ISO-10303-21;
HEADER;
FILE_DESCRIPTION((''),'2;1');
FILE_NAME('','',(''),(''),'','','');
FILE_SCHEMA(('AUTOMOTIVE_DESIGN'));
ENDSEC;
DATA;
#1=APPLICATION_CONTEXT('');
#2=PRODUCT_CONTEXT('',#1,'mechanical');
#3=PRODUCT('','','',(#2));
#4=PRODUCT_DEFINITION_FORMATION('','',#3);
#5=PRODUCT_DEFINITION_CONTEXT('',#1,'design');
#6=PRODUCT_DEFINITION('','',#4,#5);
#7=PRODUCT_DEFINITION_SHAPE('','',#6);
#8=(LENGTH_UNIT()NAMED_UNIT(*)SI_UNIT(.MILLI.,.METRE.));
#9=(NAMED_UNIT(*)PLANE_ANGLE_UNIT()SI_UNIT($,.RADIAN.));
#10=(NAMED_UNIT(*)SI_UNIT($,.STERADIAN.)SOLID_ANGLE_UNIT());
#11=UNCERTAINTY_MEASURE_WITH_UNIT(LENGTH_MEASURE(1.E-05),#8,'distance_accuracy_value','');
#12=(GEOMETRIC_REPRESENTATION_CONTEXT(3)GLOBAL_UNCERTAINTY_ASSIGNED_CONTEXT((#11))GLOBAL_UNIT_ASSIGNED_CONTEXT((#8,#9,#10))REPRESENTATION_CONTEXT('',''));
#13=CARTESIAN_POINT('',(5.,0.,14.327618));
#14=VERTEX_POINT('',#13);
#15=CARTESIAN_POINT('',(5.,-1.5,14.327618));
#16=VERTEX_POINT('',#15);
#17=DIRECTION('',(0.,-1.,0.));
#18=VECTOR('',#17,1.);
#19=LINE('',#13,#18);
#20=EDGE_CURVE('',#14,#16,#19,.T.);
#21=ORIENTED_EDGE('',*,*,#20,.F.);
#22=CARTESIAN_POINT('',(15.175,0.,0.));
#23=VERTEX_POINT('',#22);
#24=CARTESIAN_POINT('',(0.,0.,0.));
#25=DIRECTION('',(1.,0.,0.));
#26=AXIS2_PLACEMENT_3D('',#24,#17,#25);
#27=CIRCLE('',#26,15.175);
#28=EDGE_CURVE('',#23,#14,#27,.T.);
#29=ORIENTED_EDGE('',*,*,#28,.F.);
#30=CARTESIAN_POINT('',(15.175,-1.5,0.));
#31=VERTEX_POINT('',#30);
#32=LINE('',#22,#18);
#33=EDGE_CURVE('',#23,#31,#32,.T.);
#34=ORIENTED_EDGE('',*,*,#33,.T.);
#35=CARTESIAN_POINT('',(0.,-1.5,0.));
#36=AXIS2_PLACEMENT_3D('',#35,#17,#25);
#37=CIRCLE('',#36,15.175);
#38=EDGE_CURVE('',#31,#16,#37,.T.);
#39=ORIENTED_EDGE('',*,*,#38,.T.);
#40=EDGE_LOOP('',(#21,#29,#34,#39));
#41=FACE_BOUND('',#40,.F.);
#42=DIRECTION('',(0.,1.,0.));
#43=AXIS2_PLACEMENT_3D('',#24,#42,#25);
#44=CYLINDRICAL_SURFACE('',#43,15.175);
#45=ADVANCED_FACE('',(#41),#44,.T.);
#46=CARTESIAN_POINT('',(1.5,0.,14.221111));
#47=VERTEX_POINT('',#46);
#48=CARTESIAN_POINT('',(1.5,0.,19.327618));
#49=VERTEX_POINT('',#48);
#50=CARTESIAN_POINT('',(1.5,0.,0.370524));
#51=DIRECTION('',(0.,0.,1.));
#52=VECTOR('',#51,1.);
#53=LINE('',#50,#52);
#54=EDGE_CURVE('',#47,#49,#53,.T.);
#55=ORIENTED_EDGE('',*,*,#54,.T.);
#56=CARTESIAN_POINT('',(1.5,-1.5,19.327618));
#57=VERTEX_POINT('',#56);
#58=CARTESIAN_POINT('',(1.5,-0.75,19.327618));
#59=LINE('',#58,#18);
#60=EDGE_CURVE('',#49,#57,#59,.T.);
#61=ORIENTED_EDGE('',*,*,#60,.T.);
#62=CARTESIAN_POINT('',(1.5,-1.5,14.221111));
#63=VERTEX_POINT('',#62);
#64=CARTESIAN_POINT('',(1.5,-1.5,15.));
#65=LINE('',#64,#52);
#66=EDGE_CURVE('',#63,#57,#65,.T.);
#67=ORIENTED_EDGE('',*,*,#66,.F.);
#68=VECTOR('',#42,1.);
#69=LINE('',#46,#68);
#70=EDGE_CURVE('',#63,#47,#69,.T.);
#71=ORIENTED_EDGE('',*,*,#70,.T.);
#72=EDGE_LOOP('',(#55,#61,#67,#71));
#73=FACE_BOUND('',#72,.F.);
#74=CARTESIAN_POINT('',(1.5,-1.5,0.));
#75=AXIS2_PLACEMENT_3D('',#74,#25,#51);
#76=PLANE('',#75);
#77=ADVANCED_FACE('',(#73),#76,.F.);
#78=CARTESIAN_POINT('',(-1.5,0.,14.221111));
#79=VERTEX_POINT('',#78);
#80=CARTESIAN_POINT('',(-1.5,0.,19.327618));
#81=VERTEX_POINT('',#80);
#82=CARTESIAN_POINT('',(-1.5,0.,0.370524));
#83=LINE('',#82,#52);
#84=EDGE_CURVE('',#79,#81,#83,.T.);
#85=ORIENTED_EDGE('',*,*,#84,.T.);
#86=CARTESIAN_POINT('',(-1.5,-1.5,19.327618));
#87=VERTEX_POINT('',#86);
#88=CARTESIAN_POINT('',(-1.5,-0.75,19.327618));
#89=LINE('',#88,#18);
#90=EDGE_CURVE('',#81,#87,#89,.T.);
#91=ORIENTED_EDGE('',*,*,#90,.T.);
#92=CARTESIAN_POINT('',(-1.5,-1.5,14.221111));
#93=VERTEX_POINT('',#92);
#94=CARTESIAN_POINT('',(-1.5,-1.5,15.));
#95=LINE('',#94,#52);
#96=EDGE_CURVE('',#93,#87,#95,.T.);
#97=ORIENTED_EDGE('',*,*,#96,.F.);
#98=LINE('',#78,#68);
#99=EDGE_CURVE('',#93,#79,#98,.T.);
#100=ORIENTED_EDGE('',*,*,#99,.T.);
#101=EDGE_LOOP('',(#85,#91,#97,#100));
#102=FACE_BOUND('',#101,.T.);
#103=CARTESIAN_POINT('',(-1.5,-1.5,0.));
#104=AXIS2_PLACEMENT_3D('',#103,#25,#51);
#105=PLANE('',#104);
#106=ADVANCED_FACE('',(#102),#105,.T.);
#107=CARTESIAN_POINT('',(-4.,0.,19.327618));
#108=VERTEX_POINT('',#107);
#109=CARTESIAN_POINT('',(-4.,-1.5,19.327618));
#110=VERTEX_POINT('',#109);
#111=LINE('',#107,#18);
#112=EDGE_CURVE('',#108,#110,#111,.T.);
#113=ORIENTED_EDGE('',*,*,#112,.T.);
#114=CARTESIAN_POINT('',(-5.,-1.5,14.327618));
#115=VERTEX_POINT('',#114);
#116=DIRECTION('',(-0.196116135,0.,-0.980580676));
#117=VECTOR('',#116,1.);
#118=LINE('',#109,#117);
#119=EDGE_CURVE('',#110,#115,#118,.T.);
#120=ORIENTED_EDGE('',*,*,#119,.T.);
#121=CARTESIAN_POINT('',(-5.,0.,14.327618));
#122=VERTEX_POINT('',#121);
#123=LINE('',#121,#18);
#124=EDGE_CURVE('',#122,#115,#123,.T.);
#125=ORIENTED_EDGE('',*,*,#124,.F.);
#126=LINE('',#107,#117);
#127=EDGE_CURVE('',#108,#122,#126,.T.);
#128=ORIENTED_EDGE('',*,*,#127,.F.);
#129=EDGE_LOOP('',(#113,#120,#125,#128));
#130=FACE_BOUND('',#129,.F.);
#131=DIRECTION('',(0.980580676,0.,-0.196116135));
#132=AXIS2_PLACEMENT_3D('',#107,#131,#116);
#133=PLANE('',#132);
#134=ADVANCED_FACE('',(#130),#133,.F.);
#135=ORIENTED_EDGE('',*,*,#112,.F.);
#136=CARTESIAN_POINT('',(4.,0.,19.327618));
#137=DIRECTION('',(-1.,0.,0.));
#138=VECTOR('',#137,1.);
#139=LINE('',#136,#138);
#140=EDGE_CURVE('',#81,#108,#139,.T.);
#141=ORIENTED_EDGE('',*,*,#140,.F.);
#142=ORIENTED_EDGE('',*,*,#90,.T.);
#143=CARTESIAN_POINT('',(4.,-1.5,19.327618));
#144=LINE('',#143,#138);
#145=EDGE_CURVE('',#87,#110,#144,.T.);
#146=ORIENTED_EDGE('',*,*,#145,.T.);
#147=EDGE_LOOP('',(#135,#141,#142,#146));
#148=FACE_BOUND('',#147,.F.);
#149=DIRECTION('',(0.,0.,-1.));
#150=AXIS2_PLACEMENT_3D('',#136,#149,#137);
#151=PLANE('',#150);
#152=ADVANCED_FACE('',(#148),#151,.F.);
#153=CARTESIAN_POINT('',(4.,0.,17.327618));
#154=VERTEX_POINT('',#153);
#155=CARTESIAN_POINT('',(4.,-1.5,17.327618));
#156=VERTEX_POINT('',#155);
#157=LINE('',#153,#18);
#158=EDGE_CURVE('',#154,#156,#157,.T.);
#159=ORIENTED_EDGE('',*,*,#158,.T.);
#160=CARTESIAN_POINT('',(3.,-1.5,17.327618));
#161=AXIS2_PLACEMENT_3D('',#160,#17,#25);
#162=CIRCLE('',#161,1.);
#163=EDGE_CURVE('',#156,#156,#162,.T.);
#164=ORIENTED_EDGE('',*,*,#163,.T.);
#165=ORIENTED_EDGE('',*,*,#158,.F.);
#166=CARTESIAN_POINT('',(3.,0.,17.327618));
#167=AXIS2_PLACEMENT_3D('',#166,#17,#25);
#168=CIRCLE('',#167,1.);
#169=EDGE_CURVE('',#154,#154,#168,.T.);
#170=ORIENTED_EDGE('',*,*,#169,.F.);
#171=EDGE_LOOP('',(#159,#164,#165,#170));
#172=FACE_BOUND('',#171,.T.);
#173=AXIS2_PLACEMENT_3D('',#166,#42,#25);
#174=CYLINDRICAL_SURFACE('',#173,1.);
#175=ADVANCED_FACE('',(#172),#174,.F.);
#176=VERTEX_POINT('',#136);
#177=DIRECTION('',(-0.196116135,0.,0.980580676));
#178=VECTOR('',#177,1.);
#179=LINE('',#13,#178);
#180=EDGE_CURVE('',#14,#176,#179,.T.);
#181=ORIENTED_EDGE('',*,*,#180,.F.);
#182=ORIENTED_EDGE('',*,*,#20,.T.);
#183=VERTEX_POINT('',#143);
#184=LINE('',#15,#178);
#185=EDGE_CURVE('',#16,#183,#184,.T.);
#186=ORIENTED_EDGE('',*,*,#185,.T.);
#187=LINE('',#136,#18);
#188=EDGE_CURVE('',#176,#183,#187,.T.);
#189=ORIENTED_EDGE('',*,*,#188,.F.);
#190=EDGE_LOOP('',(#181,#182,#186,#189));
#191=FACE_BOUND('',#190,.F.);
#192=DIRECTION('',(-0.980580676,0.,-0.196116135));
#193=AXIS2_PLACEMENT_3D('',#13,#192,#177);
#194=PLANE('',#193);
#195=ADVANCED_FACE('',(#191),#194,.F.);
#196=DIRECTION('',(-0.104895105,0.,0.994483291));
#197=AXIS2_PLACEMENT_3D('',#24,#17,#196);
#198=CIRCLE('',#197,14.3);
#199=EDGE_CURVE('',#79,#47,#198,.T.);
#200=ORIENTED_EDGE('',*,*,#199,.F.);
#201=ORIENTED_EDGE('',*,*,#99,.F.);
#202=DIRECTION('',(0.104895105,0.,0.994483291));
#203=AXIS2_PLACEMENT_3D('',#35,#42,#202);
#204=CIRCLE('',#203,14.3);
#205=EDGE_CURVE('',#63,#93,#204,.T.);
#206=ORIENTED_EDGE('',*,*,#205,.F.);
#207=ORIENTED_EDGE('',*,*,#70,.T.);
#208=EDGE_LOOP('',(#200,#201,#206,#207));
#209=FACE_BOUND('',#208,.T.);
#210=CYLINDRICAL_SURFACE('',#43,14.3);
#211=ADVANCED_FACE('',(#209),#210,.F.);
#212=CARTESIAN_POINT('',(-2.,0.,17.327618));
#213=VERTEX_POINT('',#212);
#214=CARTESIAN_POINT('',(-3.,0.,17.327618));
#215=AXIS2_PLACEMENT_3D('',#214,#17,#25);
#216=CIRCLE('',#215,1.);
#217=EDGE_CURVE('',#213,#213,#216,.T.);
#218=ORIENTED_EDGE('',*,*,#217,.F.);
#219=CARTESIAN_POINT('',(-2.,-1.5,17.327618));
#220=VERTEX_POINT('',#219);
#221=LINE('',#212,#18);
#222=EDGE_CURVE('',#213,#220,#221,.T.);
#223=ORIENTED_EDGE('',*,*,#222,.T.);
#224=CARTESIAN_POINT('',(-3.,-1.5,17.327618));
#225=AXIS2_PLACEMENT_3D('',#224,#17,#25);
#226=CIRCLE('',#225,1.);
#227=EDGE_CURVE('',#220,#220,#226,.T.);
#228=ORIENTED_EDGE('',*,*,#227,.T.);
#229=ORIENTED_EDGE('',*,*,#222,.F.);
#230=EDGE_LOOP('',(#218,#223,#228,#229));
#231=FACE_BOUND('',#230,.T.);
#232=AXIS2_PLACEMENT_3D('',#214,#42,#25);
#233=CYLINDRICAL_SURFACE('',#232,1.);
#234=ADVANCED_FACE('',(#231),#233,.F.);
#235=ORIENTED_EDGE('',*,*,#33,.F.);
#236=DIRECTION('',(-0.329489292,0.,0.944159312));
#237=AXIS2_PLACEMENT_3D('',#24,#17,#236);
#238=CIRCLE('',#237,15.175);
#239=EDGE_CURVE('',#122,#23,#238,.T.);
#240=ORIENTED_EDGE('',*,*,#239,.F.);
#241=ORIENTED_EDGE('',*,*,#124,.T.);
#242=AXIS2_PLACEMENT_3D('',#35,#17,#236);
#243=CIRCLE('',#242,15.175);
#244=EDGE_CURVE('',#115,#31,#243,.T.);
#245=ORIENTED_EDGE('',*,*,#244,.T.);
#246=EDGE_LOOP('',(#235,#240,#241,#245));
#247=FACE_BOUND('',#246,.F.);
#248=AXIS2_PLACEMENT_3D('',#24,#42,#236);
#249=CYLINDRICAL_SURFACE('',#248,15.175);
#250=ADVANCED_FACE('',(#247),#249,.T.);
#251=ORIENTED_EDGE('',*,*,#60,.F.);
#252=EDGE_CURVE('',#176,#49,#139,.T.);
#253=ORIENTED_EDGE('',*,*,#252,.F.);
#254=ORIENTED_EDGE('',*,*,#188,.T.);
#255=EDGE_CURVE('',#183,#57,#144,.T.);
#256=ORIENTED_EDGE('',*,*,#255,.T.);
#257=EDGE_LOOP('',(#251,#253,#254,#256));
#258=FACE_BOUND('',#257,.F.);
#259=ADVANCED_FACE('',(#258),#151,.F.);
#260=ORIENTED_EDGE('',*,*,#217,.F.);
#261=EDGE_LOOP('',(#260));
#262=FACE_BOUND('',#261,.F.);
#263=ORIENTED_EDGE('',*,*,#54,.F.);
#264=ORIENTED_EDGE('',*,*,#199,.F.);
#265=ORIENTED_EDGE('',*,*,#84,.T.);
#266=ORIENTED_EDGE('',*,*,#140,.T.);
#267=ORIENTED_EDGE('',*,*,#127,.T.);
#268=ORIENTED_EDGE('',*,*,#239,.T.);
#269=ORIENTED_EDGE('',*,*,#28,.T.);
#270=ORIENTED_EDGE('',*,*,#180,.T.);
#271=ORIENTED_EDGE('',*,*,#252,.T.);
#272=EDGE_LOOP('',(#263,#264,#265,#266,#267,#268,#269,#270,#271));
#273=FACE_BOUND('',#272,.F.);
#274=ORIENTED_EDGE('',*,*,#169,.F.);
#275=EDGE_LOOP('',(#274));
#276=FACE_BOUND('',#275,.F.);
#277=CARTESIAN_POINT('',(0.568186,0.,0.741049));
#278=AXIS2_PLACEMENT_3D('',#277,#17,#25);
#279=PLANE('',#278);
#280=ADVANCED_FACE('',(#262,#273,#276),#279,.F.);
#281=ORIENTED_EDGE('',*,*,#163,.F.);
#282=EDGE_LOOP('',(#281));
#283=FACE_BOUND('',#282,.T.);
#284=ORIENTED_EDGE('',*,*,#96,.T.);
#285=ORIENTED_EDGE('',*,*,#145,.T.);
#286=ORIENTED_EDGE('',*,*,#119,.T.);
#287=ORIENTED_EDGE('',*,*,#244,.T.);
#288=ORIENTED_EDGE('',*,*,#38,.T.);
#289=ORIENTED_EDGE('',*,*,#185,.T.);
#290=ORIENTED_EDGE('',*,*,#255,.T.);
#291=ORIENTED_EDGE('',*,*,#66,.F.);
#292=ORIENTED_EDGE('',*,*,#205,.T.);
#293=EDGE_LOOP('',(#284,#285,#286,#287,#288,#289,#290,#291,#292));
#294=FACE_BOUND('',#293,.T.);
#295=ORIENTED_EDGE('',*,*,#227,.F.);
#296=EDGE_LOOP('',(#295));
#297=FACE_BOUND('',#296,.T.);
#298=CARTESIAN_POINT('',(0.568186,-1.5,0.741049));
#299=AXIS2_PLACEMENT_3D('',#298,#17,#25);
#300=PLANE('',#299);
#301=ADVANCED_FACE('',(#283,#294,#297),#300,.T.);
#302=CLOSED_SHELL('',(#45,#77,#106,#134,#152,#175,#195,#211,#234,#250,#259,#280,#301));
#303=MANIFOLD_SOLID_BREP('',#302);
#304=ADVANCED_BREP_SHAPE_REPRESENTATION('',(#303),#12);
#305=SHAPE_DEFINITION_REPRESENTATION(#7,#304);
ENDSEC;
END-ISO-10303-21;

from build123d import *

# Parameters (mm, degrees)
F0_R     = 14.3
F0_R_2   = 1
F1_DEPTH = 1.5
F2_W     = 3
F2_H     = 30
F3_DEPTH = 1.501


with BuildPart() as f1:
    # F0 (on Front) → F1 (new body)
    with BuildSketch(Plane.XZ):
        with BuildLine():
            ThreePointArc((-5, 14.3276175619), (-8.7865131025, -12.3724618609), (15.175, 0))
            ThreePointArc((15.175, 0), (12.3724618609, 8.7865131025), (5, 14.3276175619))
            Line((5, 14.3276175619), (-5, 14.3276175619))
        make_face()
        Circle(F0_R, mode=Mode.SUBTRACT)
        with BuildLine():
            Line((-5, 14.3276175619), (5, 14.3276175619))
            ThreePointArc((5, 14.3276175619), (0, 15.175), (-5, 14.3276175619))
        make_face()
        with BuildLine():
            ThreePointArc((-5, 14.3276175619), (0, 15.175), (5, 14.3276175619))
            Line((5, 14.3276175619), (4, 19.3276175619))
            Line((4, 19.3276175619), (0, 19.3276175619))
            Line((0, 19.3276175619), (-4, 19.3276175619))
            Line((-4, 19.3276175619), (-5, 14.3276175619))
        make_face()
        with Locations((-3, 17.3276175619)):
            Circle(F0_R_2, mode=Mode.SUBTRACT)
        with Locations((3, 17.3276175619)):
            Circle(F0_R_2, mode=Mode.SUBTRACT)
    extrude(amount=F1_DEPTH)

    # F2 (on face) → F3 (cut, through all)
    with BuildSketch(Plane.XZ.offset(1.5)):
        with Locations((0, 15)):
            Rectangle(F2_W, F2_H)
    extrude(amount=-F3_DEPTH, mode=Mode.SUBTRACT)


solid = f1.part
